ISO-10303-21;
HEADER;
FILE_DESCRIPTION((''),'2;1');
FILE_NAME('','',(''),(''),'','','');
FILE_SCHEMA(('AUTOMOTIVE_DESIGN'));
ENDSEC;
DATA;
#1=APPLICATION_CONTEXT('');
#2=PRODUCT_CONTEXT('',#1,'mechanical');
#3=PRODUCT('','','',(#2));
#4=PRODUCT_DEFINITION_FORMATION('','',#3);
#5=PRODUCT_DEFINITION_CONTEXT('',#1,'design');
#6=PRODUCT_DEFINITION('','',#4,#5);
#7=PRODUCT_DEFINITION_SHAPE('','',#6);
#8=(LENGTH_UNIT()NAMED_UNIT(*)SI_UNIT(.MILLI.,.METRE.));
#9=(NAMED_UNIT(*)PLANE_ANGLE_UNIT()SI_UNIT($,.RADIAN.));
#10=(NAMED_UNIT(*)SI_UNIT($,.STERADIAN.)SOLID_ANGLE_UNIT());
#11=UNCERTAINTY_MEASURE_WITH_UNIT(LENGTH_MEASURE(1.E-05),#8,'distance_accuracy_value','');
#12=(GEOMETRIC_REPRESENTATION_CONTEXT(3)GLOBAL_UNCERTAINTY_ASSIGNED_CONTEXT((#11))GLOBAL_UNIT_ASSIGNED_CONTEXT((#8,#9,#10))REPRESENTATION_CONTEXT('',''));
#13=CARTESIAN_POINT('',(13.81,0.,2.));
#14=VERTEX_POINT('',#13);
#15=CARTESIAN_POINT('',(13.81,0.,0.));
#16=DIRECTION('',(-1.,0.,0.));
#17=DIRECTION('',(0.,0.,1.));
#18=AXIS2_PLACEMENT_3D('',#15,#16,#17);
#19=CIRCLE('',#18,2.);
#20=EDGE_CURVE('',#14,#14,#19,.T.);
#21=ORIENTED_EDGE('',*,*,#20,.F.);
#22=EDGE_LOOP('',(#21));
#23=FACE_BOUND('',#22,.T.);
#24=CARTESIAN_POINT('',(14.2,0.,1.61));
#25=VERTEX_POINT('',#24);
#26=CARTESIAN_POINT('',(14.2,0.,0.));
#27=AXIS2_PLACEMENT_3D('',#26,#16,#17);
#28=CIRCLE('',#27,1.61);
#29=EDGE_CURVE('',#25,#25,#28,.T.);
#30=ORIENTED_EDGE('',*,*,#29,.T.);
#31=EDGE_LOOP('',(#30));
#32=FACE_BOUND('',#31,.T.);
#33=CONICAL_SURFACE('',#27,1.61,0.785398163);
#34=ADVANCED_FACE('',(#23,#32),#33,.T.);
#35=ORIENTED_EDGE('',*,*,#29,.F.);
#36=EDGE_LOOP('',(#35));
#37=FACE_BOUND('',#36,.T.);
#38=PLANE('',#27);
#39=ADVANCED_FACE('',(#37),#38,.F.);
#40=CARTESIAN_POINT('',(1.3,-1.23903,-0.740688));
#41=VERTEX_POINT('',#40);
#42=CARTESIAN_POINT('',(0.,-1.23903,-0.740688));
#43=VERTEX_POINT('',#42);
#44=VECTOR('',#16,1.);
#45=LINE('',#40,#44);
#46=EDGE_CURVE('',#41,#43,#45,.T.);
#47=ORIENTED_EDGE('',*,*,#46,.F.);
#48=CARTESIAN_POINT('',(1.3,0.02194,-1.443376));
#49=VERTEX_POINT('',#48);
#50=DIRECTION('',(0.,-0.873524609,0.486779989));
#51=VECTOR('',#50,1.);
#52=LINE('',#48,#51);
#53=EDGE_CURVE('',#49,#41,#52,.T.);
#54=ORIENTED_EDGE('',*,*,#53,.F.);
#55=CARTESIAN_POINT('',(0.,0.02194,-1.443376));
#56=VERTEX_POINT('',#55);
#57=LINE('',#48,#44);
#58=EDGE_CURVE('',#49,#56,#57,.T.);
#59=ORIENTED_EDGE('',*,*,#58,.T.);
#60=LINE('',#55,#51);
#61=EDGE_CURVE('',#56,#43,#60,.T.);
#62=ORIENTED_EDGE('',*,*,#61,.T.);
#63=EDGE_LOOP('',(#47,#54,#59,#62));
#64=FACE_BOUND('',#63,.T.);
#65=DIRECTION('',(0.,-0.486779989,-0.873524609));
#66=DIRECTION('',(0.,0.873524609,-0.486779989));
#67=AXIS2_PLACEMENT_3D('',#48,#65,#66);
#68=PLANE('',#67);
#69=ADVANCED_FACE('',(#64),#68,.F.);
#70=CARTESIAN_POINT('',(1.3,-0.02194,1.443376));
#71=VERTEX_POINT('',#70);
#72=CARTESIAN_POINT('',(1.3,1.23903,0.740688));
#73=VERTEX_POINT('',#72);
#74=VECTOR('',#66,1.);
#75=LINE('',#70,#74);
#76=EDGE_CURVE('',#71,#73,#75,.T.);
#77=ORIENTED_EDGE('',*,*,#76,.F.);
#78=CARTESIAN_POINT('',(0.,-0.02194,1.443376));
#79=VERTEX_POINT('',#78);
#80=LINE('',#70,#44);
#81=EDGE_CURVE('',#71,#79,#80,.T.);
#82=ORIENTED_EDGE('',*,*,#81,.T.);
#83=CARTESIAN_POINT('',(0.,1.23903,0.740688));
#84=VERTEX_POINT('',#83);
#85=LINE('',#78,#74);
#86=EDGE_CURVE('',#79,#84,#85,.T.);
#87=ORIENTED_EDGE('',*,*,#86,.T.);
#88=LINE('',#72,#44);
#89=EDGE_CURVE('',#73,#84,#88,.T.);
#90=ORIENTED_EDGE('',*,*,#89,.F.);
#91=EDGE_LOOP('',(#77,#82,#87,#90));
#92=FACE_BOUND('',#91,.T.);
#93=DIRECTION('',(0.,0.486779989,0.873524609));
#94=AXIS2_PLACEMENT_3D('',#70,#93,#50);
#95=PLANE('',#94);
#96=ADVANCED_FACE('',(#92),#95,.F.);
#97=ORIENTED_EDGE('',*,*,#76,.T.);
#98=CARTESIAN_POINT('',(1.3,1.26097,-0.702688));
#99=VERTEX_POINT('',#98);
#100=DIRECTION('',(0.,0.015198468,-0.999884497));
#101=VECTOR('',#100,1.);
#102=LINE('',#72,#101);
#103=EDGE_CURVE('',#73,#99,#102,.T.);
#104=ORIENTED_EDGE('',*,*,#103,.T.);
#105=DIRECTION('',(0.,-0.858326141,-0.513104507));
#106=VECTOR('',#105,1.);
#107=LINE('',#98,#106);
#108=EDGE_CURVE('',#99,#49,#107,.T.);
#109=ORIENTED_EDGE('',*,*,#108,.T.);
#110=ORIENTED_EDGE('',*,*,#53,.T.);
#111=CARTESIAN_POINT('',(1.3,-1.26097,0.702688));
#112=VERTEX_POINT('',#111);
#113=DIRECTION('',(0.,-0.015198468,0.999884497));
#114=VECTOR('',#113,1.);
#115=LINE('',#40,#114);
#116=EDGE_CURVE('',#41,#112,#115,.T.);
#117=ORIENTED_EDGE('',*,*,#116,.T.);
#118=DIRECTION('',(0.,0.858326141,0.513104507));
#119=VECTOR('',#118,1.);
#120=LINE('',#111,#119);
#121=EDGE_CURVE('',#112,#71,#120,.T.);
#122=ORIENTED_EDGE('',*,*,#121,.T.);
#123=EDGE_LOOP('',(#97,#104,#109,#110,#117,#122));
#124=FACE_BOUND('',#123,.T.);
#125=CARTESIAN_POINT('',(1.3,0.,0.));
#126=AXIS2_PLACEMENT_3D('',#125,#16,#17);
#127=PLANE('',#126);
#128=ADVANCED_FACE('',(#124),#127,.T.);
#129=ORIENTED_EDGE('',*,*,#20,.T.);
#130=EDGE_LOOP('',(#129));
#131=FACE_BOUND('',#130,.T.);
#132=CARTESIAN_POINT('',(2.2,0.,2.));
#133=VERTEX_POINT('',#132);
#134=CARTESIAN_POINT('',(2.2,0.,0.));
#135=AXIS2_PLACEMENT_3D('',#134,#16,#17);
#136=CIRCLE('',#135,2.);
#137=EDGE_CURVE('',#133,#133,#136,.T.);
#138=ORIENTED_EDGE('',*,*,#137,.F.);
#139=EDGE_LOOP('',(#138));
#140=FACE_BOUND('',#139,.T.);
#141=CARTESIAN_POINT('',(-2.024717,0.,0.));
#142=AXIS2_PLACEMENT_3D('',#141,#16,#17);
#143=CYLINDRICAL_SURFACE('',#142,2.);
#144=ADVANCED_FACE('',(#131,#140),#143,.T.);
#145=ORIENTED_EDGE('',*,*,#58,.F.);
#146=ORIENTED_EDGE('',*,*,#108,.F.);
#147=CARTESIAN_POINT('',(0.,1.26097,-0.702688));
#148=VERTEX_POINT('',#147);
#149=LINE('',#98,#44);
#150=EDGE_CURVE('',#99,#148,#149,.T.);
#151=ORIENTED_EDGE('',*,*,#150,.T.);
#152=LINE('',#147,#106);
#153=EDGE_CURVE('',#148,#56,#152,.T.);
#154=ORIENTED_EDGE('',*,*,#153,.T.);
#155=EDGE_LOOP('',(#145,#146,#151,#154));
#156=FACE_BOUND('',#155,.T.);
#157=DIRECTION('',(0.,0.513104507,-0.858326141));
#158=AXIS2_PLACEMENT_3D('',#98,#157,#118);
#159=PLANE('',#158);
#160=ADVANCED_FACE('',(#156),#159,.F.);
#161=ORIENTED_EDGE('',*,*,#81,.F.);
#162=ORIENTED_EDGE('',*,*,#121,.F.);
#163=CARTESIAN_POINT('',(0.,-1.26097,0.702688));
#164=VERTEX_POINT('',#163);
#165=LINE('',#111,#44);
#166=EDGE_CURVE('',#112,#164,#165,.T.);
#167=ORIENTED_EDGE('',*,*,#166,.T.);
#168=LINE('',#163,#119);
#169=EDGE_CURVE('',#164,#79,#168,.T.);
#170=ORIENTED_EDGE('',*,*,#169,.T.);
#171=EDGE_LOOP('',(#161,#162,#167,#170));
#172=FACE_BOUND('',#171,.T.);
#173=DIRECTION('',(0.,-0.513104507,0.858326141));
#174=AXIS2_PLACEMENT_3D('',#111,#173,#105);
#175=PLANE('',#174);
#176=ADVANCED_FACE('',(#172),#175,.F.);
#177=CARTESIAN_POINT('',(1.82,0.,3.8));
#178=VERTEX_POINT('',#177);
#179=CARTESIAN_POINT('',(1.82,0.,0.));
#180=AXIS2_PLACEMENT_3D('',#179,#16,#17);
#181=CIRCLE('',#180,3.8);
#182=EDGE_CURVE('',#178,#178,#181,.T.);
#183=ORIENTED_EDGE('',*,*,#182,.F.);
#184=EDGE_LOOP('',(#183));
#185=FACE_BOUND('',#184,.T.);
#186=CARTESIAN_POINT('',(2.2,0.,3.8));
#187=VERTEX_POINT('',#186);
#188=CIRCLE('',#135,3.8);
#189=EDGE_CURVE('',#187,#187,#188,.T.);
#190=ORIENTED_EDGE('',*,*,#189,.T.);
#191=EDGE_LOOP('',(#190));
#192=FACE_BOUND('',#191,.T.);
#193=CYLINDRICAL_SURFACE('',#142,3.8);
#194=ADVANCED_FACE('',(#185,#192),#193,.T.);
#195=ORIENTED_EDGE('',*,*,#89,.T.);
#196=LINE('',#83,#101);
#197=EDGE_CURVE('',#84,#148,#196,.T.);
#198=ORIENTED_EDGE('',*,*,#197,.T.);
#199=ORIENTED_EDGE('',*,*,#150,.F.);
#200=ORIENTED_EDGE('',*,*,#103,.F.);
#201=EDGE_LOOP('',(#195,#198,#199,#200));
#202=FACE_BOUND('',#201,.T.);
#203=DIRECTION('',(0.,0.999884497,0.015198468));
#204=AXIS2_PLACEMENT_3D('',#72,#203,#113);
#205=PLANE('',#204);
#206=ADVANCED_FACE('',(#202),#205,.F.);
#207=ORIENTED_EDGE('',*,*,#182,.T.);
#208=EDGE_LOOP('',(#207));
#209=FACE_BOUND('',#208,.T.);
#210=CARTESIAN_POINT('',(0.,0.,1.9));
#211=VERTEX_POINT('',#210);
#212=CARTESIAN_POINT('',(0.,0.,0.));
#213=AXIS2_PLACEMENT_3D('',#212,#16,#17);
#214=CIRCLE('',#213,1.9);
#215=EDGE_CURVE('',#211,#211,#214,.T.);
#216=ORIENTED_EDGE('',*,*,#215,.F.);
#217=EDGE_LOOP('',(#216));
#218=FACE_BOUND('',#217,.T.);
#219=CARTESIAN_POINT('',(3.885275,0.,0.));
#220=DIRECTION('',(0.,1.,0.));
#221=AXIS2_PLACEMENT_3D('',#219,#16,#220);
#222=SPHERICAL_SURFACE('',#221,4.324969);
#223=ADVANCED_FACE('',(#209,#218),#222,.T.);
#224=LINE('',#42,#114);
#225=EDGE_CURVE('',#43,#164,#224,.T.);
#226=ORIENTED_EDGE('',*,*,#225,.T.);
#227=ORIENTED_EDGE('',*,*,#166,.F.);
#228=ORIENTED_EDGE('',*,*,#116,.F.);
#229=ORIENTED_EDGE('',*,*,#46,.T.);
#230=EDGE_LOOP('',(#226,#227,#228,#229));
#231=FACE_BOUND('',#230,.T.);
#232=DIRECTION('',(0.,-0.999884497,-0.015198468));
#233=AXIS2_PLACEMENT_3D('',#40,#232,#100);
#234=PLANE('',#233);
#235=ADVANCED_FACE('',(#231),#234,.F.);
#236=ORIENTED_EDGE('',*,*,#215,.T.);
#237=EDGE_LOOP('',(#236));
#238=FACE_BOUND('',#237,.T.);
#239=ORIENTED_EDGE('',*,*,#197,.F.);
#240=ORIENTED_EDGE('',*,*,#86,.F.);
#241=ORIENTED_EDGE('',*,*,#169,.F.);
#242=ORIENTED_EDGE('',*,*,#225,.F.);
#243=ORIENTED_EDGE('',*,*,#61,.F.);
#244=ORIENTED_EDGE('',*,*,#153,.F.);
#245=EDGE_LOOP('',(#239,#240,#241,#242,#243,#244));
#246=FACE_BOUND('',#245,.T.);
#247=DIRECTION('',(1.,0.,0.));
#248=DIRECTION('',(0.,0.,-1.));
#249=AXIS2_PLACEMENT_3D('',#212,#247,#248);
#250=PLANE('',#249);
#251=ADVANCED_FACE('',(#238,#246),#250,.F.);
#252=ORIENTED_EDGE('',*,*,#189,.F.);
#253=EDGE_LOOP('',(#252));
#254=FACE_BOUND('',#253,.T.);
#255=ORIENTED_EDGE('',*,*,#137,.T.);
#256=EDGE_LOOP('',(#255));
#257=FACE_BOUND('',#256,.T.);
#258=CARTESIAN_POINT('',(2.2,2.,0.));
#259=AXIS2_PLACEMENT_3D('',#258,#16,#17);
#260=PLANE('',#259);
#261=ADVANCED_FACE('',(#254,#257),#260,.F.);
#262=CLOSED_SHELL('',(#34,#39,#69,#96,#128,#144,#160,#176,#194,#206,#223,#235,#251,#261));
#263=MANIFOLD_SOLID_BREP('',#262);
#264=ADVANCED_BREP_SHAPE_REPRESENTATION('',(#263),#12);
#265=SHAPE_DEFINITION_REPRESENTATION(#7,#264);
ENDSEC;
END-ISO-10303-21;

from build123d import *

# Parameters (mm, degrees)
CUT_EXTRUDE1_DEPTH = 1.3


with BuildPart() as part:
    # Sketch1 → Revolve1 (revolve)
    with BuildSketch(Plane.XY):
        with BuildLine():
            Line((14.2, 0), (14.2, 1.61))
            Line((14.2, 1.61), (13.81, 2))
            Line((13.81, 2), (2.2, 2))
            Line((2.2, 2), (2.2, 3.8))
            Line((2.2, 3.8), (1.82, 3.8))
            ThreePointArc((1.82, 3.8), (0.762013659, 2.991755338), (0, 1.9))
            Line((0, 1.9), (0, 0))
            Line((0, 0), (14.2, 0))
        make_face()
    revolve(axis=Axis((-2.02471666, 0, 0), (1, 0, 0)))

    # Sketch2 → Cut-Extrude1 (cut)
    with BuildSketch(Plane.ZY):
        Polygon((0.702687556, -1.260969814), (1.44337567, -0.021939633), (0.740688114, 1.239030181), (-0.702687556, 1.260969814), (-1.44337567, 0.021939633), (-0.740688114, -1.239030181), align=None)
    extrude(amount=-CUT_EXTRUDE1_DEPTH, mode=Mode.SUBTRACT)


solid = part.part
